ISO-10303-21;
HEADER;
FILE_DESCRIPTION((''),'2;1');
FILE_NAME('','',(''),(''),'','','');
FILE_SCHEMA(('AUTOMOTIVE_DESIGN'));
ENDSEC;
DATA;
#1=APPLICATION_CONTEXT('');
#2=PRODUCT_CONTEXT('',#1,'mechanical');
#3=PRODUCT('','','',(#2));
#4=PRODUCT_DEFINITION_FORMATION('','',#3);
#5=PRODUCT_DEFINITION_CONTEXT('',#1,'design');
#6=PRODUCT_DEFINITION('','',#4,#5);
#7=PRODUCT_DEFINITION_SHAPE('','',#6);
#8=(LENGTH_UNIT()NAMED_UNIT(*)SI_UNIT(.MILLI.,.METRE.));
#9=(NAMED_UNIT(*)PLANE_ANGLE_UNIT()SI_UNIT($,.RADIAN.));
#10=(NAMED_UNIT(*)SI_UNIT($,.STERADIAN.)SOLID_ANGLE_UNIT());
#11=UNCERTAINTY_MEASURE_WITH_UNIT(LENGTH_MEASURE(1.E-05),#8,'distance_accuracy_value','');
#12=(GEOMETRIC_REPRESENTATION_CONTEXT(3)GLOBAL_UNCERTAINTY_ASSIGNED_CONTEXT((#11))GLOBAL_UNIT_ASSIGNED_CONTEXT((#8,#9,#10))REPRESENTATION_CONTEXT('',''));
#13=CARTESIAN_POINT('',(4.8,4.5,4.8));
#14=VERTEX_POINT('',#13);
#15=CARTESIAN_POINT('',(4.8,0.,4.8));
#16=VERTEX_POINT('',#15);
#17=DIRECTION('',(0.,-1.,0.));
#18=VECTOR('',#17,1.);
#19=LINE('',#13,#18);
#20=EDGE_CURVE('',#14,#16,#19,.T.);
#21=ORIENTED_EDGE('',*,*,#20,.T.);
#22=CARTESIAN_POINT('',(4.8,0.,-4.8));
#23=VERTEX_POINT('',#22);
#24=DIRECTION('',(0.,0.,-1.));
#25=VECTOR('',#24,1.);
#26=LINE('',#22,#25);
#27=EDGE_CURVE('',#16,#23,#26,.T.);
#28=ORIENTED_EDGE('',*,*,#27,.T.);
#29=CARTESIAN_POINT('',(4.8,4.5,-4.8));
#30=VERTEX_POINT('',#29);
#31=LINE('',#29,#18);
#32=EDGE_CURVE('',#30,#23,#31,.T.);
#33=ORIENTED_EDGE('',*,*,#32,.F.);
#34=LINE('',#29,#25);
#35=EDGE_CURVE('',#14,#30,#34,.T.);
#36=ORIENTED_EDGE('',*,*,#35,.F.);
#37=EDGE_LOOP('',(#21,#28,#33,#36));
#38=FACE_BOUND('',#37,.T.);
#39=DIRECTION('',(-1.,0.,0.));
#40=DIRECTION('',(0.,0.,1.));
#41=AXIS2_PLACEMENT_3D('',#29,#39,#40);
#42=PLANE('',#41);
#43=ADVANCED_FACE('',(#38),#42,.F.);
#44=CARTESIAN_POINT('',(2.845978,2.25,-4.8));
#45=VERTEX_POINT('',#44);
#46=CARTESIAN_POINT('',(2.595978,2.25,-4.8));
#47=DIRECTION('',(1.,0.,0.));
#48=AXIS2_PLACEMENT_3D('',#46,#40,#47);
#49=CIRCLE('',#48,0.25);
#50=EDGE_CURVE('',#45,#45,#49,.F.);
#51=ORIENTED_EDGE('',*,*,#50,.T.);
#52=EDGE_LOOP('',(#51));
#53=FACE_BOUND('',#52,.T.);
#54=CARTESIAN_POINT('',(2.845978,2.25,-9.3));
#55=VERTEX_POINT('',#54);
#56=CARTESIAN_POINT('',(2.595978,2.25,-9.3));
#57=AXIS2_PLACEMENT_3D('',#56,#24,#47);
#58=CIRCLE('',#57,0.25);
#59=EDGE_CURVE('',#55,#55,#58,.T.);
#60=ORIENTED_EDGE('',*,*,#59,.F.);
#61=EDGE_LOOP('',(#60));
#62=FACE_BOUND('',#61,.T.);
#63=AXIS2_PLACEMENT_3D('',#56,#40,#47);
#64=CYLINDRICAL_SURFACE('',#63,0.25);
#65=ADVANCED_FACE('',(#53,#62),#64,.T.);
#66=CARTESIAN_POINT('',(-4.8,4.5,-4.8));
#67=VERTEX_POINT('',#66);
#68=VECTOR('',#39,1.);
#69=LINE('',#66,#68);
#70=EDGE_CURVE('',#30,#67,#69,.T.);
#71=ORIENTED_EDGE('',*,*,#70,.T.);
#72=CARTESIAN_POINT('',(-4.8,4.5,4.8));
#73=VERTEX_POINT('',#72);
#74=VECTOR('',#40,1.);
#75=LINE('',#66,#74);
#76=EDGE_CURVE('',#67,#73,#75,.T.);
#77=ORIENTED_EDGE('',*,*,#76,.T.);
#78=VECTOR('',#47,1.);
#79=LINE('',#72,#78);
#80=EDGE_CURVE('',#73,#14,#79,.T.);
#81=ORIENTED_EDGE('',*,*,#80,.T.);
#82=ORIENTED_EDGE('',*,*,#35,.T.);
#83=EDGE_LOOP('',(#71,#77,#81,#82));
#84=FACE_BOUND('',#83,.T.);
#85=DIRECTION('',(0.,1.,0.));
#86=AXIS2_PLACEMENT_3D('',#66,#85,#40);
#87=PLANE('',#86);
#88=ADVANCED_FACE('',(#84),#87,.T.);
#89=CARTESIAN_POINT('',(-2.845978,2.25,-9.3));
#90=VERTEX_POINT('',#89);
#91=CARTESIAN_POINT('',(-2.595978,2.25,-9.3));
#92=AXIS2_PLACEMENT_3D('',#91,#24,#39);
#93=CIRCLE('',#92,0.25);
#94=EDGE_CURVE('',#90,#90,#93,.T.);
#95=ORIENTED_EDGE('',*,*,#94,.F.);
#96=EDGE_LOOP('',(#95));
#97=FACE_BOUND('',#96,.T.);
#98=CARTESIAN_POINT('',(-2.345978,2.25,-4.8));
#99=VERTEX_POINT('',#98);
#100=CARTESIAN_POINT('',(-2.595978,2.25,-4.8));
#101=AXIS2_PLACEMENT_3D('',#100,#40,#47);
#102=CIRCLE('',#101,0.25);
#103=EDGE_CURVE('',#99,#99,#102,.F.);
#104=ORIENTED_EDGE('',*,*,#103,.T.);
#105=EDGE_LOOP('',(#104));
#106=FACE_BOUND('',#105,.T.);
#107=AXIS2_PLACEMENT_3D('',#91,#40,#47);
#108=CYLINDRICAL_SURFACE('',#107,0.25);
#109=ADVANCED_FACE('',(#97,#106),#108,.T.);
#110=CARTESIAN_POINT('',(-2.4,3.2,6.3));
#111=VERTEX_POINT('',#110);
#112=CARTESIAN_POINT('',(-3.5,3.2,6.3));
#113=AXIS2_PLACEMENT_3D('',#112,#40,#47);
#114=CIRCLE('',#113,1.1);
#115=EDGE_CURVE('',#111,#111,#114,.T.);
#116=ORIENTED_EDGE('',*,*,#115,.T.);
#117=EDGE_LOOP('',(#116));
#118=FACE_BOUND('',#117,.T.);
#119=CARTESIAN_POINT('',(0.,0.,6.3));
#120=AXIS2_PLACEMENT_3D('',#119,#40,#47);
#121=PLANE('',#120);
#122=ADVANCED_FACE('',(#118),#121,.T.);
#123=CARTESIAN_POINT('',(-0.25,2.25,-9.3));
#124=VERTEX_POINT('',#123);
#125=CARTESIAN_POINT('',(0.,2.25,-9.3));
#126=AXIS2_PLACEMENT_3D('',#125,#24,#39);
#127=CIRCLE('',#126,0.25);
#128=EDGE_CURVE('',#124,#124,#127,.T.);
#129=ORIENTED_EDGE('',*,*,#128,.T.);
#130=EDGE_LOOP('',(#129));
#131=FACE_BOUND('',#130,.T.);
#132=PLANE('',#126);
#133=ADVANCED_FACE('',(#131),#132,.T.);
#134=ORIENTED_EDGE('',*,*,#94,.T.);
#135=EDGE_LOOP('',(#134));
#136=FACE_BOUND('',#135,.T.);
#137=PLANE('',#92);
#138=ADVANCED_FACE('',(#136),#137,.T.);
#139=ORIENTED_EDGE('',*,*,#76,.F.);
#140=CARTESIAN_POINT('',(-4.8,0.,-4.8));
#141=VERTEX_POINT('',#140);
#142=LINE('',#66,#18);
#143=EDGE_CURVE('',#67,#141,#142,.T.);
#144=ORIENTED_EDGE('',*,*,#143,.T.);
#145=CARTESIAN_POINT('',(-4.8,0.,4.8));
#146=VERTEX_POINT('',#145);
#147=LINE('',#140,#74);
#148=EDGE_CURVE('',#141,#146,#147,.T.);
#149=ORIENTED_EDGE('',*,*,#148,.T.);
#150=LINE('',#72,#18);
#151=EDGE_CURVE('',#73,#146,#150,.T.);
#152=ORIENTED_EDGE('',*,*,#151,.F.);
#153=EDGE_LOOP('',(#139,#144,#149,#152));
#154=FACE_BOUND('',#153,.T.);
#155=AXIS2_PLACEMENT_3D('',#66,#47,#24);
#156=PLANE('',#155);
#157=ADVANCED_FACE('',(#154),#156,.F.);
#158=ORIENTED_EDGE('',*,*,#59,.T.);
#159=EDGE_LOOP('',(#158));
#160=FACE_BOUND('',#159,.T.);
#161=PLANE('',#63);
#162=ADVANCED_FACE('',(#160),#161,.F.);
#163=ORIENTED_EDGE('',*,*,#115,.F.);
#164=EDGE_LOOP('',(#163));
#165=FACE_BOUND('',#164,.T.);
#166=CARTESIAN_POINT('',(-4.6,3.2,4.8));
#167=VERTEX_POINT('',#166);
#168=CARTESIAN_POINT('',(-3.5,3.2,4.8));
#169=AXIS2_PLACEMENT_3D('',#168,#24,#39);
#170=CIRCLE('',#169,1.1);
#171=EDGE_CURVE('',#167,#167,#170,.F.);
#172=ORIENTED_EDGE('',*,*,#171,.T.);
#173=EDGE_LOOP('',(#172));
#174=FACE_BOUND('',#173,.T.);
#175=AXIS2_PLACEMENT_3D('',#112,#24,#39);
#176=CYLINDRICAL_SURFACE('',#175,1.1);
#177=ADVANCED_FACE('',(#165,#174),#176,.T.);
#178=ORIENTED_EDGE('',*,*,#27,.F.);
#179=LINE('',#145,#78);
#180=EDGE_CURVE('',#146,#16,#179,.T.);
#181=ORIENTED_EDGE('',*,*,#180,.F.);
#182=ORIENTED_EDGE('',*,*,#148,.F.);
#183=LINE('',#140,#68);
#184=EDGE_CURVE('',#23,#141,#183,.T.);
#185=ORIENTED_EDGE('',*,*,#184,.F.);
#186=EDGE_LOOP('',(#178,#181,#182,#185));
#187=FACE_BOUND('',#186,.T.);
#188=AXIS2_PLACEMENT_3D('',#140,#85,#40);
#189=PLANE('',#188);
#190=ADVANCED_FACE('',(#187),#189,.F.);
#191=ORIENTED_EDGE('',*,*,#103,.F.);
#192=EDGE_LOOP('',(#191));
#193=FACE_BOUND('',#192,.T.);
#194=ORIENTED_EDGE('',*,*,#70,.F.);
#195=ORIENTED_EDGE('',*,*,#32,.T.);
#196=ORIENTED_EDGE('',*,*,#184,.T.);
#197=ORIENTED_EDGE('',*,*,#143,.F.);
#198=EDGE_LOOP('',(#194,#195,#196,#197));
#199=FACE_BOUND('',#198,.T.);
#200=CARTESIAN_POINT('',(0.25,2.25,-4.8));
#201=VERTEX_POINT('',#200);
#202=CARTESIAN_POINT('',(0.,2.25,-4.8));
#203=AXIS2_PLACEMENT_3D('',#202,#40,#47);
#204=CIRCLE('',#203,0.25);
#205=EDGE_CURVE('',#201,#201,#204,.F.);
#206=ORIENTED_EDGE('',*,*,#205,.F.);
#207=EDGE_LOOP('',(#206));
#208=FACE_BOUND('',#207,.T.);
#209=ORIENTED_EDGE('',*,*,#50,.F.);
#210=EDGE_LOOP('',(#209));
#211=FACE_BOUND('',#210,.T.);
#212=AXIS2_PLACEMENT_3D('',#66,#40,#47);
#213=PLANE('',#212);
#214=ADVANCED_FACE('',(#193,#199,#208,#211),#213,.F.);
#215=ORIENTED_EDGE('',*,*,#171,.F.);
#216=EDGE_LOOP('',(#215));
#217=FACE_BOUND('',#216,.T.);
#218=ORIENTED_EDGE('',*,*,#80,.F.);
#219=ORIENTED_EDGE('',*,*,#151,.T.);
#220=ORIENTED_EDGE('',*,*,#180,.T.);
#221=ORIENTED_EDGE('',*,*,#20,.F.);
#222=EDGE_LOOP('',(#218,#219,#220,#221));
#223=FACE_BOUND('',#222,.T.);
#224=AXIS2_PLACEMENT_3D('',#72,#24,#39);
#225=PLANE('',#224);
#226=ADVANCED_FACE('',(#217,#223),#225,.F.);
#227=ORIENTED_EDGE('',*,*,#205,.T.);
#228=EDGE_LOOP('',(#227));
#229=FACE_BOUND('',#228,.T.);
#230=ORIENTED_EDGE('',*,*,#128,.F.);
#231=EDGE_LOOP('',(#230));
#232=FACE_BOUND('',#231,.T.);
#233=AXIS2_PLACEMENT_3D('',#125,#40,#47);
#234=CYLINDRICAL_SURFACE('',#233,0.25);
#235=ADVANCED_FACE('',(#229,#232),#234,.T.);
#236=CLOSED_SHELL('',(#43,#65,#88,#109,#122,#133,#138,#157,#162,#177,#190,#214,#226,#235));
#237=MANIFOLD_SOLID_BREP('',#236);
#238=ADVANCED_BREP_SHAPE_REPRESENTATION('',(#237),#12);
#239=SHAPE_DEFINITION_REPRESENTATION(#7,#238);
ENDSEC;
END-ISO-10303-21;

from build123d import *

# Parameters (mm, degrees)
SKETCH_1_W        = 9.6
SKETCH_1_H        = 9.6
EXTRUDE_1_DEPTH   = 4.5
SKETCH_3_R        = 0.25
EXTRUDE_3_DEPTH   = 4.5
SKETCH_4_R        = 1.1
EXTRUDE_1_2_DEPTH = 1.5


with BuildPart() as part:
    # 草图1 → Extrude 1 (new body)
    with BuildSketch(Plane(origin=(0, 0, 0), x_dir=(1, 0, 0), z_dir=(0, 1, 0))):
        Rectangle(SKETCH_1_W, SKETCH_1_H)
    extrude(amount=EXTRUDE_1_DEPTH)

    # 草图3 → 拉伸3 (add)
    with BuildSketch(Plane(origin=(0, 0, -4.8), x_dir=(-1, 0, 0), z_dir=(0, 0, -1))):
        with Locations(Location((0, 2.25, 0), (0, 0, 180))):
            Circle(SKETCH_3_R)
        with Locations(Location((2.595978382, 2.25, 0), (0, 0, 180))):
            Circle(SKETCH_3_R)
        with Locations(Location((-2.595978382, 2.25, 0), (0, 0, 180))):
            Circle(SKETCH_3_R)
    extrude(amount=EXTRUDE_3_DEPTH)

    # 草图4 → Extrude 1 2 (add)
    with BuildSketch(Plane.XY.offset(4.8)):
        with Locations(Location((-3.5, 3.2, 0), (0, 0, 180))):
            Circle(SKETCH_4_R)
    extrude(amount=EXTRUDE_1_2_DEPTH)


solid = part.part
